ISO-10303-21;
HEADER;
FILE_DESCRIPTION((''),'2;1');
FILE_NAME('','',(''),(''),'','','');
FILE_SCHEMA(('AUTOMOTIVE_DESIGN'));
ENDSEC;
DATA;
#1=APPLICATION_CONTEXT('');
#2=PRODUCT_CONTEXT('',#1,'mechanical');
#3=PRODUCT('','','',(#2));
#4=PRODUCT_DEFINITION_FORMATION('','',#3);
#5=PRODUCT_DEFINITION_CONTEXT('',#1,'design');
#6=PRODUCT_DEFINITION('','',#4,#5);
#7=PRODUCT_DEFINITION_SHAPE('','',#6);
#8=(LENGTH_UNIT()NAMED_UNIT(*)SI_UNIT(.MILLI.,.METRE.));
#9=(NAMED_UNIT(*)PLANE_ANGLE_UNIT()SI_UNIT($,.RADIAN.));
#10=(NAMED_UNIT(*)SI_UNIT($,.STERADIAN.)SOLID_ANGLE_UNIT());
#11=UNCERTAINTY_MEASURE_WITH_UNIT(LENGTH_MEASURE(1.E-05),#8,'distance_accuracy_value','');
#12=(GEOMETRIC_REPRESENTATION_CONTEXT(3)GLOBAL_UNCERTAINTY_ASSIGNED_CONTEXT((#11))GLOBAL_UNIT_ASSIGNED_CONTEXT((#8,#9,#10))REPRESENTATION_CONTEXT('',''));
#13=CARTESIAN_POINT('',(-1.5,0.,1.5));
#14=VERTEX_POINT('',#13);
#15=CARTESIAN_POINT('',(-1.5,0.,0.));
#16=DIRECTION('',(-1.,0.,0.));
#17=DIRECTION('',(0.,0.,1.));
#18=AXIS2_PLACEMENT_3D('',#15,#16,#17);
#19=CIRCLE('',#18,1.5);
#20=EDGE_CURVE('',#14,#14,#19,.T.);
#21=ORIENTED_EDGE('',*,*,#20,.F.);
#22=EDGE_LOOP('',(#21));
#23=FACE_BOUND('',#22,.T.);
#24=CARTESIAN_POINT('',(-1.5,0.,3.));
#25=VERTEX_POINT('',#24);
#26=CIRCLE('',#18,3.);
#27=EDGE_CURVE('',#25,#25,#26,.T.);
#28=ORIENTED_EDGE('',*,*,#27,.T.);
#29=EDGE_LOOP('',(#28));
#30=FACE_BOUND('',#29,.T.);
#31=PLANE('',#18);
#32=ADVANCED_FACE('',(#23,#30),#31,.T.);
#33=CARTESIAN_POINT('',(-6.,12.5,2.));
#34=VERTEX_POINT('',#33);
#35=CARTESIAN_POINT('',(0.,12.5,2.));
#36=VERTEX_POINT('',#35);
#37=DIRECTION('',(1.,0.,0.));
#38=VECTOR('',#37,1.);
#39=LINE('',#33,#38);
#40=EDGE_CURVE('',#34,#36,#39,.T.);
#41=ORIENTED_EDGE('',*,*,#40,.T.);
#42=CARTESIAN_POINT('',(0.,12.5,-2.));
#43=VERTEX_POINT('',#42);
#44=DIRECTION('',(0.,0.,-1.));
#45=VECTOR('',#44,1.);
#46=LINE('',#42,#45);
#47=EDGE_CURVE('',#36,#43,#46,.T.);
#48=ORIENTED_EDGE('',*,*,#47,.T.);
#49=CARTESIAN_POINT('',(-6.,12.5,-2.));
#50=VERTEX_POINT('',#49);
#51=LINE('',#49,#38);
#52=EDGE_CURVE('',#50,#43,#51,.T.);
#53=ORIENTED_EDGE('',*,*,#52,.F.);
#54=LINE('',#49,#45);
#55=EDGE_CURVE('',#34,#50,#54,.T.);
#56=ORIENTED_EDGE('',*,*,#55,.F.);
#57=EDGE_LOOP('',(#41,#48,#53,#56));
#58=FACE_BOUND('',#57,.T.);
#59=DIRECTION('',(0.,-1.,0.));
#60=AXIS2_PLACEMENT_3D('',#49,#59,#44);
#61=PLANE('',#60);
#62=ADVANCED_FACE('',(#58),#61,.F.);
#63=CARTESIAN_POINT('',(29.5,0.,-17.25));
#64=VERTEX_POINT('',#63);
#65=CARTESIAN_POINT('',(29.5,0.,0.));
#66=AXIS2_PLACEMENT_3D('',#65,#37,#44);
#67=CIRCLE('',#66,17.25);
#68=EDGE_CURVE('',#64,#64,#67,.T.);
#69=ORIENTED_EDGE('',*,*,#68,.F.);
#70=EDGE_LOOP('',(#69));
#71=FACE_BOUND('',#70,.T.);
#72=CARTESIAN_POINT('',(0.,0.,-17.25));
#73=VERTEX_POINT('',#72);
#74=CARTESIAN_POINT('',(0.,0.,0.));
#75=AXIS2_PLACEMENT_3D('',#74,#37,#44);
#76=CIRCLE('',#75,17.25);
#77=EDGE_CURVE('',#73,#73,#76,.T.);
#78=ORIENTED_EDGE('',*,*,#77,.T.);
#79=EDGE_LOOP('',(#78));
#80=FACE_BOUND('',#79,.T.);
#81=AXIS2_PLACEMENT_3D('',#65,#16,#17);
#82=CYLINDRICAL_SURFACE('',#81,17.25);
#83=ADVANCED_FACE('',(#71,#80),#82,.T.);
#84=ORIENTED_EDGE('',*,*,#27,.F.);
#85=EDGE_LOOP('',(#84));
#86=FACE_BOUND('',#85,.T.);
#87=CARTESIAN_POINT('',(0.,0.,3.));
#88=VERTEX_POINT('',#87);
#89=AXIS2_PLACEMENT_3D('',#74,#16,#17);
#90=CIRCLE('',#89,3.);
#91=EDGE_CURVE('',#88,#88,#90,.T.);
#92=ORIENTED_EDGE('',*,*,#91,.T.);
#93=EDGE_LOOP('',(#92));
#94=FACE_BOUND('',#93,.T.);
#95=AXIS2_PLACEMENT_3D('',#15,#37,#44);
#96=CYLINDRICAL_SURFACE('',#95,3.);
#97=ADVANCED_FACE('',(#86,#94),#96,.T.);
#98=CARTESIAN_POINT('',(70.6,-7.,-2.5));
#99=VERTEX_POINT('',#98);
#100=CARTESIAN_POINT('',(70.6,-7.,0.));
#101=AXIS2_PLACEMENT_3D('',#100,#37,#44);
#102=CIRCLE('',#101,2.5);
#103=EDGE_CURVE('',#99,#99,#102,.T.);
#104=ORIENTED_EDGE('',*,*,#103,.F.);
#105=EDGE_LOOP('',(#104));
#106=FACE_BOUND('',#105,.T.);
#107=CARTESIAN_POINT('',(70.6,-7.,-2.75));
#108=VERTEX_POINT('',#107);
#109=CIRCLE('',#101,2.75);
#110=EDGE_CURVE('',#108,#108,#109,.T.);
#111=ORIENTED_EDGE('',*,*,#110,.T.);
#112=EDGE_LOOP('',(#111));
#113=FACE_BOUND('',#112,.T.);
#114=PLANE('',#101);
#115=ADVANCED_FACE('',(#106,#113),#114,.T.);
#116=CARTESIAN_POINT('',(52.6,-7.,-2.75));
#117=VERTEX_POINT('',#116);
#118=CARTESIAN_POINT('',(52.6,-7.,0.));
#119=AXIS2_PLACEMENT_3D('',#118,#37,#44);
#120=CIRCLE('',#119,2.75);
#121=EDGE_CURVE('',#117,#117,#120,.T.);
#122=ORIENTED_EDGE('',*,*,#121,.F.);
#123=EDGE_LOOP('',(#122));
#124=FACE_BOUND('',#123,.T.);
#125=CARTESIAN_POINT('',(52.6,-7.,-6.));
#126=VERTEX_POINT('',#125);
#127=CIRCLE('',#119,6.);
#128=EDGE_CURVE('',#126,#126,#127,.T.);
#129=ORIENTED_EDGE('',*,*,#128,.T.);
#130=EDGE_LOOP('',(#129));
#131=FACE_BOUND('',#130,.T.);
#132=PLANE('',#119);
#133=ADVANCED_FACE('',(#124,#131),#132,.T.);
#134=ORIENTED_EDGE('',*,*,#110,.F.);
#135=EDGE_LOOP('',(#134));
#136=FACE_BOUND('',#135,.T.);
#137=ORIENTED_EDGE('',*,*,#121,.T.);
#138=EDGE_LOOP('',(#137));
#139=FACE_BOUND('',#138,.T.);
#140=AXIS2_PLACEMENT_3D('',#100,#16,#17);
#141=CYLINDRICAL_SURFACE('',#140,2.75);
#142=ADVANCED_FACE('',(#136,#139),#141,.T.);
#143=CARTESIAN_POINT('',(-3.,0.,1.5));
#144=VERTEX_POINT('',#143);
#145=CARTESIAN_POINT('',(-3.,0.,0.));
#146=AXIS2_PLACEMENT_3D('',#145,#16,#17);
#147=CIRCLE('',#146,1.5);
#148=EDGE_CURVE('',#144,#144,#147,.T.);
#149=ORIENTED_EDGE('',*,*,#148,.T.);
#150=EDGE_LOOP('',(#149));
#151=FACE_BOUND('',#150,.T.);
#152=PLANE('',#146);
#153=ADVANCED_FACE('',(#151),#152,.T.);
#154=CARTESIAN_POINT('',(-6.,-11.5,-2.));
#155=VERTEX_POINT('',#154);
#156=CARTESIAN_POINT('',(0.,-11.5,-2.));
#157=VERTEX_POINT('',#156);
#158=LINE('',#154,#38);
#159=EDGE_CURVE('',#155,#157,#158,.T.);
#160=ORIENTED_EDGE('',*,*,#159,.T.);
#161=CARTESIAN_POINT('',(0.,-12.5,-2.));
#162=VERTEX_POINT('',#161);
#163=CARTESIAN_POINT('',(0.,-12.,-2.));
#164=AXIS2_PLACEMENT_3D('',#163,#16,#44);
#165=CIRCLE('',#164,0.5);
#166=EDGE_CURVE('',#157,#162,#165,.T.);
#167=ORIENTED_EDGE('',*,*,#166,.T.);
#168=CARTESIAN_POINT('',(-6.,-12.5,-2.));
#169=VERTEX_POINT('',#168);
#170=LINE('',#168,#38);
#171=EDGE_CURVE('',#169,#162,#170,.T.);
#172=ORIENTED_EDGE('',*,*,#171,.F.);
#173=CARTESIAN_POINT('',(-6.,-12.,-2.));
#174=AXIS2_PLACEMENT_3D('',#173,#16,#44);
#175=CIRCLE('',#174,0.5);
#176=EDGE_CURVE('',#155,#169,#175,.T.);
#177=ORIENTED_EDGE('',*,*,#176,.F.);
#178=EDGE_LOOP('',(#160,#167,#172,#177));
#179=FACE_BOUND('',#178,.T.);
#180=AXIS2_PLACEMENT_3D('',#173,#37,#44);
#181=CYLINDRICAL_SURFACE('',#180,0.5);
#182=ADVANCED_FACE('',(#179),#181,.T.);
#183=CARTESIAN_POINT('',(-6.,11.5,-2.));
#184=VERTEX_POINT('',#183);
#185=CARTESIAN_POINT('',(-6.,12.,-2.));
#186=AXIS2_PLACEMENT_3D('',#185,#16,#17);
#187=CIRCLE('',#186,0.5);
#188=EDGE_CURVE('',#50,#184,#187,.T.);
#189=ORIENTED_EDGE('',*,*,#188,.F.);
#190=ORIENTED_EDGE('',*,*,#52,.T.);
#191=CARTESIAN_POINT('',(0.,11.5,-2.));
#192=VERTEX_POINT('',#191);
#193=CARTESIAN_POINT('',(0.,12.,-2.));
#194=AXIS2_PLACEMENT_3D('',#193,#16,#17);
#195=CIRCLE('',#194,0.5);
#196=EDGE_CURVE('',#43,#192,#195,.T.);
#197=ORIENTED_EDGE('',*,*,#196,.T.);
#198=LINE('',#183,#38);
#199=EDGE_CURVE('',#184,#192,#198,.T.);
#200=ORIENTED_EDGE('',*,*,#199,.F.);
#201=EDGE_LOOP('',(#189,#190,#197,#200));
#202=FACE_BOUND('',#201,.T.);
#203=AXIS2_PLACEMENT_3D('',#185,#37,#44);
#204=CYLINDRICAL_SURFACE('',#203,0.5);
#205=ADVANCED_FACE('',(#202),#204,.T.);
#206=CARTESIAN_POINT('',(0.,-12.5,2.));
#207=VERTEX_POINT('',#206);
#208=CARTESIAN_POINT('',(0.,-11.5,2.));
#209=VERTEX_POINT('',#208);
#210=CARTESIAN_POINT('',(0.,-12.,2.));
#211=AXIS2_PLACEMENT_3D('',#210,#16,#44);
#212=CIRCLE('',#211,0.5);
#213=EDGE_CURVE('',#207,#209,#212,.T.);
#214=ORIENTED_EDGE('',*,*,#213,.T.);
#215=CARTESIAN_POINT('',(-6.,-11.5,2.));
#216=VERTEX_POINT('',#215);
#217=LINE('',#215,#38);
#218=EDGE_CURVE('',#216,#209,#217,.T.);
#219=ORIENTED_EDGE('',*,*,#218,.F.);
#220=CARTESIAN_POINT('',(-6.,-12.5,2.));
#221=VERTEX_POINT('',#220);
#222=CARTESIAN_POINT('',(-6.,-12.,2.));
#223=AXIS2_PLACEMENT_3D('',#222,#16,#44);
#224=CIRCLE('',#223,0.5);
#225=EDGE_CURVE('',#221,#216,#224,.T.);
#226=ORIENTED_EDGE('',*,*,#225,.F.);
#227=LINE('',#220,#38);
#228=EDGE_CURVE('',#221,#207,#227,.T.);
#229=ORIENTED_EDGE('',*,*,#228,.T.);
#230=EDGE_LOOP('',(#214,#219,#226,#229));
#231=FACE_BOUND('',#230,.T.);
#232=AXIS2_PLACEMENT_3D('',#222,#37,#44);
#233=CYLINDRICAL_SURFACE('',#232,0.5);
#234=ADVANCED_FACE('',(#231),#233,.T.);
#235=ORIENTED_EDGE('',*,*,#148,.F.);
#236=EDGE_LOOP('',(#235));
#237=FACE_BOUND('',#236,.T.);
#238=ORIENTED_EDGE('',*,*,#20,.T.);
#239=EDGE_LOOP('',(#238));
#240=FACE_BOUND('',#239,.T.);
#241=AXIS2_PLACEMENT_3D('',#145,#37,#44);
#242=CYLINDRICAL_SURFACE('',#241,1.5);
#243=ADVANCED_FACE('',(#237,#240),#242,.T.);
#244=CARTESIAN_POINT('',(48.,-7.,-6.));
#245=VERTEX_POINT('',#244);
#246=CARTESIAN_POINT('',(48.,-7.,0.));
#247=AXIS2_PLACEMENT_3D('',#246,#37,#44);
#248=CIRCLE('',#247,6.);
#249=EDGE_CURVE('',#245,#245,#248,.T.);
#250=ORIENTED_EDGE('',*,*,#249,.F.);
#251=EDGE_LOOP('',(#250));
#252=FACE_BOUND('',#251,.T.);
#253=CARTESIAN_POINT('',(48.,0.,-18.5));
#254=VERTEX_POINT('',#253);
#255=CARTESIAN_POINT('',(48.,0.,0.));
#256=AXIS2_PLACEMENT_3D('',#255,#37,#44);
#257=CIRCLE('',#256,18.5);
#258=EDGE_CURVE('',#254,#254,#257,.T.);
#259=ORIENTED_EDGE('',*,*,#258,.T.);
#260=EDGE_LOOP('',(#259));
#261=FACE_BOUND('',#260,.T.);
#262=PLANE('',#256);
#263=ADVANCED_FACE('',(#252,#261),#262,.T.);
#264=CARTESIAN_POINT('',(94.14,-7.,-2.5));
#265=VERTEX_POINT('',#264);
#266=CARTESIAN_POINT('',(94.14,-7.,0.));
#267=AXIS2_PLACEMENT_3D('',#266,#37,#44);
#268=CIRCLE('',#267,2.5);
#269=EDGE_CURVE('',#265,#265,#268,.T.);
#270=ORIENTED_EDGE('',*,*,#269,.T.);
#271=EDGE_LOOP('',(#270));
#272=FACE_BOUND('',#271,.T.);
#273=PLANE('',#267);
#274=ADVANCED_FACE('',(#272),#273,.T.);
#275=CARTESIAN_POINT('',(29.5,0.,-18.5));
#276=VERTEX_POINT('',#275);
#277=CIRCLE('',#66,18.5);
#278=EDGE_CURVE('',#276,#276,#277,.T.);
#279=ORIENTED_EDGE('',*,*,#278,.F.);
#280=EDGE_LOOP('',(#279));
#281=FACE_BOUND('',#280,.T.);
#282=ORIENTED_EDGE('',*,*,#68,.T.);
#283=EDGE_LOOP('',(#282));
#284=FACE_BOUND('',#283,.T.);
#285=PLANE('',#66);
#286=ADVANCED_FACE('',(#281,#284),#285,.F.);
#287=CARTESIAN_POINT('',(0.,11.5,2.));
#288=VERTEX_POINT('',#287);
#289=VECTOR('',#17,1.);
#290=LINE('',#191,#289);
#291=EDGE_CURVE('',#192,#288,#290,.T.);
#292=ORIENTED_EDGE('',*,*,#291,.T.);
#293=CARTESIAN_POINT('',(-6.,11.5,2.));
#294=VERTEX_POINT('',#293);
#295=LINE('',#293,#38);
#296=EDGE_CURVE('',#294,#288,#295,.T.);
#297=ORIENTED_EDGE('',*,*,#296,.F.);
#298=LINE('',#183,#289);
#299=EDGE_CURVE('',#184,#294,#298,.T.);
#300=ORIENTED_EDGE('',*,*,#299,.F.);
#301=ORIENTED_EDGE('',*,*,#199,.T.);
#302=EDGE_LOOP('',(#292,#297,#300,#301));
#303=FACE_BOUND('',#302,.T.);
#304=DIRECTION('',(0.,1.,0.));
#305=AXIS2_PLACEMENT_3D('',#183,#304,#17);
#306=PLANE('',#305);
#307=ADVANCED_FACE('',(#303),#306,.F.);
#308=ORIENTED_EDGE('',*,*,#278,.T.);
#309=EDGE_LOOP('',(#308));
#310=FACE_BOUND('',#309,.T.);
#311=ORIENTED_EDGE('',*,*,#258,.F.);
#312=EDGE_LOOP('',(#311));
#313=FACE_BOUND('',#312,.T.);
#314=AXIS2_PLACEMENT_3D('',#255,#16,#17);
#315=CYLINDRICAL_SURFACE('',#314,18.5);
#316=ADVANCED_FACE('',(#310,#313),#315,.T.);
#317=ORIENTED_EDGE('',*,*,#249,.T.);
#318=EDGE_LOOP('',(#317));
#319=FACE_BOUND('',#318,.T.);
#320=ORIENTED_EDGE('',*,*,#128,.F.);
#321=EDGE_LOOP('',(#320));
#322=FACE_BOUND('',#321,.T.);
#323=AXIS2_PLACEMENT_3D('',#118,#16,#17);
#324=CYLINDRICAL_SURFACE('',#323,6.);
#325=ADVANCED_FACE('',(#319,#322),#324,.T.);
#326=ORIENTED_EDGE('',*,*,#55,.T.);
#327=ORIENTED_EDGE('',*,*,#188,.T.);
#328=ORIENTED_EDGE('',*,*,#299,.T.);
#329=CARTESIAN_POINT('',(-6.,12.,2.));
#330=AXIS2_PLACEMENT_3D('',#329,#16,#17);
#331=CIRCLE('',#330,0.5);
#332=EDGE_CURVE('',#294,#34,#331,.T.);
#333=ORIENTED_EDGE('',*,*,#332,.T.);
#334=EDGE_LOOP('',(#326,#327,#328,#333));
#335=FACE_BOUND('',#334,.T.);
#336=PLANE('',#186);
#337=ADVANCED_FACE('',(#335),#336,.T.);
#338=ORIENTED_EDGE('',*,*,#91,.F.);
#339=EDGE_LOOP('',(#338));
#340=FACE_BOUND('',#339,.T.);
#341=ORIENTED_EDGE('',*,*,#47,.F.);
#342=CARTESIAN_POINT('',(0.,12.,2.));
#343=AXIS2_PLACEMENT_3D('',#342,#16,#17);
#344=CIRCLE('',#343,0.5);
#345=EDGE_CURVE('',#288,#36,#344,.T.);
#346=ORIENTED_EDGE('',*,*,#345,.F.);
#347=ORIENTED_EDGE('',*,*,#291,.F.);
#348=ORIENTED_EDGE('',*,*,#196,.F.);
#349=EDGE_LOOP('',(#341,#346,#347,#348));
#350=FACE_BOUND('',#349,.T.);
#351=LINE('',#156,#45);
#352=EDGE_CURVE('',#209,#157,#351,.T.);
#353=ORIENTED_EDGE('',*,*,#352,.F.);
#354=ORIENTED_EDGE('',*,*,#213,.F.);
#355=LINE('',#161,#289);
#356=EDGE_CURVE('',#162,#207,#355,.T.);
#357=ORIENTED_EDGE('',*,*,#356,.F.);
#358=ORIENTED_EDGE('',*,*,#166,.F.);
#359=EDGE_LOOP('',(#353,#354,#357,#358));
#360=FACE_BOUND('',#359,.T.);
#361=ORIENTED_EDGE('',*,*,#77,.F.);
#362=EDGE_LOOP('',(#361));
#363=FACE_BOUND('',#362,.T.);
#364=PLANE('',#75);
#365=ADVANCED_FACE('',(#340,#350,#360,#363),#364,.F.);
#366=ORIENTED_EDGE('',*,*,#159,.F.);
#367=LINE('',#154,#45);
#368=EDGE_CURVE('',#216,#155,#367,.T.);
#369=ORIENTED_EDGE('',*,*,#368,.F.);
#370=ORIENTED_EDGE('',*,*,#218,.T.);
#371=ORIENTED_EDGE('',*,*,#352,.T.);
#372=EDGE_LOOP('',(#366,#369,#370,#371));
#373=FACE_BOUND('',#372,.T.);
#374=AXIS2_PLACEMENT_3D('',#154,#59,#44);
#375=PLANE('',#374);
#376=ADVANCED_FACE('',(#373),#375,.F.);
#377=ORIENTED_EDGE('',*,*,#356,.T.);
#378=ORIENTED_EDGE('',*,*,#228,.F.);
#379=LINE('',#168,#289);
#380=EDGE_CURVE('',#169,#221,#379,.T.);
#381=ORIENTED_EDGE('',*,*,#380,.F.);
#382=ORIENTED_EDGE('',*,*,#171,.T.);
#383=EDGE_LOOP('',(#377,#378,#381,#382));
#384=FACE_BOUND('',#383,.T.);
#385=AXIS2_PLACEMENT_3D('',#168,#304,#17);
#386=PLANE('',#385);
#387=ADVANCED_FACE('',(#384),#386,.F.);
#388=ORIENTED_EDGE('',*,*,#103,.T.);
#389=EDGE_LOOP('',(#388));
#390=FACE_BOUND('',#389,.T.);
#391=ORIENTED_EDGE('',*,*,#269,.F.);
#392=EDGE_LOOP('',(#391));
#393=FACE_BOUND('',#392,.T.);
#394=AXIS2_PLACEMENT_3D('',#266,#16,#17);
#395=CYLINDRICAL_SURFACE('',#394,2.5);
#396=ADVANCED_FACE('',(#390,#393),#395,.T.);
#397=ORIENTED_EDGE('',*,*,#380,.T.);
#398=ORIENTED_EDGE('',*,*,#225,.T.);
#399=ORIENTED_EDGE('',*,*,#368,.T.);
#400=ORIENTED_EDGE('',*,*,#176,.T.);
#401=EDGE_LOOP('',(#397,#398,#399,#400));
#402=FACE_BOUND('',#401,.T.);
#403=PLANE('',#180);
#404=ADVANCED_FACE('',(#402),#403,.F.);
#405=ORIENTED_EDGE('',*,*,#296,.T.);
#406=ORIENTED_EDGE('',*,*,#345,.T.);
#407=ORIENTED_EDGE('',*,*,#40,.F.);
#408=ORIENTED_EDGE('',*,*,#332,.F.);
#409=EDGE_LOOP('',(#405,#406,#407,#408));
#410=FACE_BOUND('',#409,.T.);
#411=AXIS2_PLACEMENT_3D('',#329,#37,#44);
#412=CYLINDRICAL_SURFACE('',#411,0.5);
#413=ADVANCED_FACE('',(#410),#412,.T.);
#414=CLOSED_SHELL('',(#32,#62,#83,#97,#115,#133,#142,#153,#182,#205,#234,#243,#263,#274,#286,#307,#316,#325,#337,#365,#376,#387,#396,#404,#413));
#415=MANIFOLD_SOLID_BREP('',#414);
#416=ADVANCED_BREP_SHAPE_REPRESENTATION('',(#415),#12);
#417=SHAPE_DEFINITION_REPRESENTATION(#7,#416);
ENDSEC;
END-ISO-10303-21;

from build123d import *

# Parameters (mm, degrees)
SKETCH1_R           = 17.25
BOSS_EXTRUDE1_DEPTH = 29.5
SKETCH2_R           = 18.5
BOSS_EXTRUDE2_DEPTH = 18.5
SKETCH3_R           = 3
BOSS_EXTRUDE3_DEPTH = 1.5
SKETCH4_R           = 1.5
BOSS_EXTRUDE4_DEPTH = 1.5
BOSS_EXTRUDE5_DEPTH = 6
SKETCH7_R           = 6
BOSS_EXTRUDE6_DEPTH = 4.6
SKETCH8_R           = 2.75
BOSS_EXTRUDE7_DEPTH = 18
SKETCH9_R           = 2.5
BOSS_EXTRUDE8_DEPTH = 23.54


with BuildPart() as part:
    # Sketch1 → Boss-Extrude1 (new body)
    with BuildSketch(Plane(origin=(0, 0, 0), x_dir=(0, 0, -1), z_dir=(1, 0, 0))):
        Circle(SKETCH1_R)
    extrude(amount=BOSS_EXTRUDE1_DEPTH)

    # Sketch2 → Boss-Extrude2 (add)
    with BuildSketch(Plane(origin=(29.5, 0, 0), x_dir=(0, 0, -1), z_dir=(1, 0, 0))):
        Circle(SKETCH2_R)
    extrude(amount=BOSS_EXTRUDE2_DEPTH)

    # Sketch3 → Boss-Extrude3 (add)
    with BuildSketch(Plane.ZY):
        Circle(SKETCH3_R)
    extrude(amount=BOSS_EXTRUDE3_DEPTH)

    # Sketch4 → Boss-Extrude4 (add)
    with BuildSketch(Plane.ZY.offset(1.5)):
        Circle(SKETCH4_R)
    extrude(amount=BOSS_EXTRUDE4_DEPTH)

    # Sketch5 → Boss-Extrude5 (add)
    with BuildSketch(Plane.ZY):
        with BuildLine():
            Line((-2, 12.5), (2, 12.5))
            ThreePointArc((2, 12.5), (2.5, 12), (2, 11.5))
            Line((2, 11.5), (-2, 11.5))
            ThreePointArc((-2, 11.5), (-2.5, 12), (-2, 12.5))
        make_face()
        with BuildLine():
            Line((-2, -12.5), (2, -12.5))
            ThreePointArc((2, -12.5), (2.5, -12), (2, -11.5))
            Line((2, -11.5), (-2, -11.5))
            ThreePointArc((-2, -11.5), (-2.5, -12), (-2, -12.5))
        make_face()
    extrude(amount=BOSS_EXTRUDE5_DEPTH)

    # Sketch7 → Boss-Extrude6 (add)
    with BuildSketch(Plane(origin=(48, 0, 0), x_dir=(0, 0, -1), z_dir=(1, 0, 0))):
        with Locations((0, -7)):
            Circle(SKETCH7_R)
    extrude(amount=BOSS_EXTRUDE6_DEPTH)

    # Sketch8 → Boss-Extrude7 (add)
    with BuildSketch(Plane(origin=(52.6, 0, 0), x_dir=(0, 0, -1), z_dir=(1, 0, 0))):
        with Locations((0, -7)):
            Circle(SKETCH8_R)
    extrude(amount=BOSS_EXTRUDE7_DEPTH)

    # Sketch9 → Boss-Extrude8 (add)
    with BuildSketch(Plane(origin=(70.6, 0, 0), x_dir=(0, 0, -1), z_dir=(1, 0, 0))):
        with Locations((0, -7)):
            Circle(SKETCH9_R)
    extrude(amount=BOSS_EXTRUDE8_DEPTH)


solid = part.part
